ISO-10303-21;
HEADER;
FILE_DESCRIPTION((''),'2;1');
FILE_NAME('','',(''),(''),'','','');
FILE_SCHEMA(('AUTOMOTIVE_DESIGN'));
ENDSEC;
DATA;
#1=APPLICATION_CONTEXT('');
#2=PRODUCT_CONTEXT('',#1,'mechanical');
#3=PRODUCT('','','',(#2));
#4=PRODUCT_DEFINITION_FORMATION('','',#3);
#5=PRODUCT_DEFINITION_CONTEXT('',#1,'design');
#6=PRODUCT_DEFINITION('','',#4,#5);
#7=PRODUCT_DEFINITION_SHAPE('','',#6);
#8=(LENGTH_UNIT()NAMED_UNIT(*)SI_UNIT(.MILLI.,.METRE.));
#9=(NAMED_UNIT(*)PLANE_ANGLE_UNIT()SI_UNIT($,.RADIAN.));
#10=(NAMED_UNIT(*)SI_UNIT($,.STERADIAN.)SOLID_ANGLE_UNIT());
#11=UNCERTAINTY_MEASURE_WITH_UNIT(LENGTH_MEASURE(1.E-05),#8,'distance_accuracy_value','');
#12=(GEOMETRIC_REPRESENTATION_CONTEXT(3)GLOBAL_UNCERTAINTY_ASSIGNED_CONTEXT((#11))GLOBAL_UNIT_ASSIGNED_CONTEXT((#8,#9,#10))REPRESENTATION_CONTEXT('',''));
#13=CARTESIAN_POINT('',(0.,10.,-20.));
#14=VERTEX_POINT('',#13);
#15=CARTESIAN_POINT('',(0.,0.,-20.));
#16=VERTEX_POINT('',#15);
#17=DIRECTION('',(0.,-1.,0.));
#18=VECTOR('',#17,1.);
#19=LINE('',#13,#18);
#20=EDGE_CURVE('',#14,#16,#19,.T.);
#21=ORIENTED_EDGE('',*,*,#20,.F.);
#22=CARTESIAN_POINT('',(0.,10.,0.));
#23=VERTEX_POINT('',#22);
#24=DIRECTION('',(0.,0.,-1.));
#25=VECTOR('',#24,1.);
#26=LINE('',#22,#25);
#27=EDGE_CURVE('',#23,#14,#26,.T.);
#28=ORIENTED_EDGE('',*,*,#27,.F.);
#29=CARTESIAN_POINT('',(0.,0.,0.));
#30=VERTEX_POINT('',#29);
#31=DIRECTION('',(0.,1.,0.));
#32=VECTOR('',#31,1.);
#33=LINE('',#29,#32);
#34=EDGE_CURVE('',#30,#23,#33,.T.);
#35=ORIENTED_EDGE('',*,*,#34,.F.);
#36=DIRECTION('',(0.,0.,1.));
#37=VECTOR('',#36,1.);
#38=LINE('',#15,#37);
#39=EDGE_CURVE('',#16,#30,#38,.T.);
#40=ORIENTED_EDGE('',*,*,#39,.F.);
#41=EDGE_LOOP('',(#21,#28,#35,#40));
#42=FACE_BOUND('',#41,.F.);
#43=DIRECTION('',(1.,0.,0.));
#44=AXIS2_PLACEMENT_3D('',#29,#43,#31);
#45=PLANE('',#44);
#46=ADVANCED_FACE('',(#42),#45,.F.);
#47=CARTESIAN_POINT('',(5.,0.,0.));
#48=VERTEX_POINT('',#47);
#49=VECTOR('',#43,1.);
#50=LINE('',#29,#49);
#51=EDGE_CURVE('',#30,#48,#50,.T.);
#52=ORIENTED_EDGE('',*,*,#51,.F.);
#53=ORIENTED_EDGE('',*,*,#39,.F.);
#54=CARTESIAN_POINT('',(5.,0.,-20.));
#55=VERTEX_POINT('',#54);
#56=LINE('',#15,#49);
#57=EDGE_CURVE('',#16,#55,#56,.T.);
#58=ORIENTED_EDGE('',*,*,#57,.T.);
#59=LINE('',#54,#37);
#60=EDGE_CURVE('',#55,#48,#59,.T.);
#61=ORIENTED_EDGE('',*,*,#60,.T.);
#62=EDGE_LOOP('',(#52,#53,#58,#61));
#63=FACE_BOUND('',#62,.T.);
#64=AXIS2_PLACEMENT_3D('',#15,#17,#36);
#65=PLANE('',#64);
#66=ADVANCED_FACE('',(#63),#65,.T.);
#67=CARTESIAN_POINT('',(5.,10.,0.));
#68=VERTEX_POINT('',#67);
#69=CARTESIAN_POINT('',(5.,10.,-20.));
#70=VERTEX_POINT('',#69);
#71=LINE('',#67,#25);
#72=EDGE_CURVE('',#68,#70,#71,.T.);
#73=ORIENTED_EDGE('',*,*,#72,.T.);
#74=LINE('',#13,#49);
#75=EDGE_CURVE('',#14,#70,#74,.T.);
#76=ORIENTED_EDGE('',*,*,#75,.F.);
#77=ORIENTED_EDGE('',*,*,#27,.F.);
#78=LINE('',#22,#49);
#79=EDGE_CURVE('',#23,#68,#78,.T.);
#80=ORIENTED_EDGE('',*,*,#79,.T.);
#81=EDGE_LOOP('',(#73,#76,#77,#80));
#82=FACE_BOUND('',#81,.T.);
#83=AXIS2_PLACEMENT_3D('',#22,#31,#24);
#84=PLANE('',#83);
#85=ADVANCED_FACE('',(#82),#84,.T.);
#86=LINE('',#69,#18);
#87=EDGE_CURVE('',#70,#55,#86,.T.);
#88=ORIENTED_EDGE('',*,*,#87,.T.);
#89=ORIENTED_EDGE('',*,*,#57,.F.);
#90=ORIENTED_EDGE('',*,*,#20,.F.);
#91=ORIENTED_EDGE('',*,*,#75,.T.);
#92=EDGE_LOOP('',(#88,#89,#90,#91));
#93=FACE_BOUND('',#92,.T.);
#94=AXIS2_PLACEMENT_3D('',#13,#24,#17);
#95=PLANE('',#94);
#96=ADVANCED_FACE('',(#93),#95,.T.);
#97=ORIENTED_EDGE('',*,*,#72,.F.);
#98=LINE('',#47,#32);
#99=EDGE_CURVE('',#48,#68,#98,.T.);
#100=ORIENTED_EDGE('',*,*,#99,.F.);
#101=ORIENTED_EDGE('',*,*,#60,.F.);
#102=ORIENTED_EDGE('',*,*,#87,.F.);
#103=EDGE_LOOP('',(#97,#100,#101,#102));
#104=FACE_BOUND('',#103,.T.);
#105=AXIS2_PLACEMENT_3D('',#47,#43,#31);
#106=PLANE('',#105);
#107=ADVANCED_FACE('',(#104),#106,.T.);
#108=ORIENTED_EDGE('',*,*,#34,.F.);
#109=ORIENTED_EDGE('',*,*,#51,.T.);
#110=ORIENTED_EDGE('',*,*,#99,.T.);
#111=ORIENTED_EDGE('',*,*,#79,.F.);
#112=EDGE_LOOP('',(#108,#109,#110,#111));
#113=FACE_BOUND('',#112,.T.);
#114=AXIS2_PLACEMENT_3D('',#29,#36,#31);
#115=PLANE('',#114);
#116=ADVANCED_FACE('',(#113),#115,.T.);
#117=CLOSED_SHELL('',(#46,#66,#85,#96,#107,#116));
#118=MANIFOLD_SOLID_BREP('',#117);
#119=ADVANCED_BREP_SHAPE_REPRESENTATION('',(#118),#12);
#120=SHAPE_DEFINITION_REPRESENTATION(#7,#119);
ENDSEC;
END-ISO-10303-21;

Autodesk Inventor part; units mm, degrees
ref_plane "YZ Plane" through (0, 0, 0) normal (1, 0, 0) x (0, 1, 0)
ref_plane "XZ Plane" through (0, 0, 0) normal (0, 1, 0) x (-1, 0, 0)
ref_plane "XY Plane" through (0, 0, 0) normal (0, 0, 1) x (1, 0, 0)
sketch "Schizzo1" plane through (0, 0, 0) normal (1, 0, 0) x (0, 1, 0)
  line L0 (0, 0) -> (10, 0)
  line L1 (10, 0) -> (10, -20)
  line L2 (10, -20) -> (0, -20)
  line L3 (0, -20) -> (0, 0)
  dimension "d0" = 20
  dimension "d1" = 10
extrude "Estrusione1" add sketch "Schizzo1" along normal blind 5
properties part number "holder"
